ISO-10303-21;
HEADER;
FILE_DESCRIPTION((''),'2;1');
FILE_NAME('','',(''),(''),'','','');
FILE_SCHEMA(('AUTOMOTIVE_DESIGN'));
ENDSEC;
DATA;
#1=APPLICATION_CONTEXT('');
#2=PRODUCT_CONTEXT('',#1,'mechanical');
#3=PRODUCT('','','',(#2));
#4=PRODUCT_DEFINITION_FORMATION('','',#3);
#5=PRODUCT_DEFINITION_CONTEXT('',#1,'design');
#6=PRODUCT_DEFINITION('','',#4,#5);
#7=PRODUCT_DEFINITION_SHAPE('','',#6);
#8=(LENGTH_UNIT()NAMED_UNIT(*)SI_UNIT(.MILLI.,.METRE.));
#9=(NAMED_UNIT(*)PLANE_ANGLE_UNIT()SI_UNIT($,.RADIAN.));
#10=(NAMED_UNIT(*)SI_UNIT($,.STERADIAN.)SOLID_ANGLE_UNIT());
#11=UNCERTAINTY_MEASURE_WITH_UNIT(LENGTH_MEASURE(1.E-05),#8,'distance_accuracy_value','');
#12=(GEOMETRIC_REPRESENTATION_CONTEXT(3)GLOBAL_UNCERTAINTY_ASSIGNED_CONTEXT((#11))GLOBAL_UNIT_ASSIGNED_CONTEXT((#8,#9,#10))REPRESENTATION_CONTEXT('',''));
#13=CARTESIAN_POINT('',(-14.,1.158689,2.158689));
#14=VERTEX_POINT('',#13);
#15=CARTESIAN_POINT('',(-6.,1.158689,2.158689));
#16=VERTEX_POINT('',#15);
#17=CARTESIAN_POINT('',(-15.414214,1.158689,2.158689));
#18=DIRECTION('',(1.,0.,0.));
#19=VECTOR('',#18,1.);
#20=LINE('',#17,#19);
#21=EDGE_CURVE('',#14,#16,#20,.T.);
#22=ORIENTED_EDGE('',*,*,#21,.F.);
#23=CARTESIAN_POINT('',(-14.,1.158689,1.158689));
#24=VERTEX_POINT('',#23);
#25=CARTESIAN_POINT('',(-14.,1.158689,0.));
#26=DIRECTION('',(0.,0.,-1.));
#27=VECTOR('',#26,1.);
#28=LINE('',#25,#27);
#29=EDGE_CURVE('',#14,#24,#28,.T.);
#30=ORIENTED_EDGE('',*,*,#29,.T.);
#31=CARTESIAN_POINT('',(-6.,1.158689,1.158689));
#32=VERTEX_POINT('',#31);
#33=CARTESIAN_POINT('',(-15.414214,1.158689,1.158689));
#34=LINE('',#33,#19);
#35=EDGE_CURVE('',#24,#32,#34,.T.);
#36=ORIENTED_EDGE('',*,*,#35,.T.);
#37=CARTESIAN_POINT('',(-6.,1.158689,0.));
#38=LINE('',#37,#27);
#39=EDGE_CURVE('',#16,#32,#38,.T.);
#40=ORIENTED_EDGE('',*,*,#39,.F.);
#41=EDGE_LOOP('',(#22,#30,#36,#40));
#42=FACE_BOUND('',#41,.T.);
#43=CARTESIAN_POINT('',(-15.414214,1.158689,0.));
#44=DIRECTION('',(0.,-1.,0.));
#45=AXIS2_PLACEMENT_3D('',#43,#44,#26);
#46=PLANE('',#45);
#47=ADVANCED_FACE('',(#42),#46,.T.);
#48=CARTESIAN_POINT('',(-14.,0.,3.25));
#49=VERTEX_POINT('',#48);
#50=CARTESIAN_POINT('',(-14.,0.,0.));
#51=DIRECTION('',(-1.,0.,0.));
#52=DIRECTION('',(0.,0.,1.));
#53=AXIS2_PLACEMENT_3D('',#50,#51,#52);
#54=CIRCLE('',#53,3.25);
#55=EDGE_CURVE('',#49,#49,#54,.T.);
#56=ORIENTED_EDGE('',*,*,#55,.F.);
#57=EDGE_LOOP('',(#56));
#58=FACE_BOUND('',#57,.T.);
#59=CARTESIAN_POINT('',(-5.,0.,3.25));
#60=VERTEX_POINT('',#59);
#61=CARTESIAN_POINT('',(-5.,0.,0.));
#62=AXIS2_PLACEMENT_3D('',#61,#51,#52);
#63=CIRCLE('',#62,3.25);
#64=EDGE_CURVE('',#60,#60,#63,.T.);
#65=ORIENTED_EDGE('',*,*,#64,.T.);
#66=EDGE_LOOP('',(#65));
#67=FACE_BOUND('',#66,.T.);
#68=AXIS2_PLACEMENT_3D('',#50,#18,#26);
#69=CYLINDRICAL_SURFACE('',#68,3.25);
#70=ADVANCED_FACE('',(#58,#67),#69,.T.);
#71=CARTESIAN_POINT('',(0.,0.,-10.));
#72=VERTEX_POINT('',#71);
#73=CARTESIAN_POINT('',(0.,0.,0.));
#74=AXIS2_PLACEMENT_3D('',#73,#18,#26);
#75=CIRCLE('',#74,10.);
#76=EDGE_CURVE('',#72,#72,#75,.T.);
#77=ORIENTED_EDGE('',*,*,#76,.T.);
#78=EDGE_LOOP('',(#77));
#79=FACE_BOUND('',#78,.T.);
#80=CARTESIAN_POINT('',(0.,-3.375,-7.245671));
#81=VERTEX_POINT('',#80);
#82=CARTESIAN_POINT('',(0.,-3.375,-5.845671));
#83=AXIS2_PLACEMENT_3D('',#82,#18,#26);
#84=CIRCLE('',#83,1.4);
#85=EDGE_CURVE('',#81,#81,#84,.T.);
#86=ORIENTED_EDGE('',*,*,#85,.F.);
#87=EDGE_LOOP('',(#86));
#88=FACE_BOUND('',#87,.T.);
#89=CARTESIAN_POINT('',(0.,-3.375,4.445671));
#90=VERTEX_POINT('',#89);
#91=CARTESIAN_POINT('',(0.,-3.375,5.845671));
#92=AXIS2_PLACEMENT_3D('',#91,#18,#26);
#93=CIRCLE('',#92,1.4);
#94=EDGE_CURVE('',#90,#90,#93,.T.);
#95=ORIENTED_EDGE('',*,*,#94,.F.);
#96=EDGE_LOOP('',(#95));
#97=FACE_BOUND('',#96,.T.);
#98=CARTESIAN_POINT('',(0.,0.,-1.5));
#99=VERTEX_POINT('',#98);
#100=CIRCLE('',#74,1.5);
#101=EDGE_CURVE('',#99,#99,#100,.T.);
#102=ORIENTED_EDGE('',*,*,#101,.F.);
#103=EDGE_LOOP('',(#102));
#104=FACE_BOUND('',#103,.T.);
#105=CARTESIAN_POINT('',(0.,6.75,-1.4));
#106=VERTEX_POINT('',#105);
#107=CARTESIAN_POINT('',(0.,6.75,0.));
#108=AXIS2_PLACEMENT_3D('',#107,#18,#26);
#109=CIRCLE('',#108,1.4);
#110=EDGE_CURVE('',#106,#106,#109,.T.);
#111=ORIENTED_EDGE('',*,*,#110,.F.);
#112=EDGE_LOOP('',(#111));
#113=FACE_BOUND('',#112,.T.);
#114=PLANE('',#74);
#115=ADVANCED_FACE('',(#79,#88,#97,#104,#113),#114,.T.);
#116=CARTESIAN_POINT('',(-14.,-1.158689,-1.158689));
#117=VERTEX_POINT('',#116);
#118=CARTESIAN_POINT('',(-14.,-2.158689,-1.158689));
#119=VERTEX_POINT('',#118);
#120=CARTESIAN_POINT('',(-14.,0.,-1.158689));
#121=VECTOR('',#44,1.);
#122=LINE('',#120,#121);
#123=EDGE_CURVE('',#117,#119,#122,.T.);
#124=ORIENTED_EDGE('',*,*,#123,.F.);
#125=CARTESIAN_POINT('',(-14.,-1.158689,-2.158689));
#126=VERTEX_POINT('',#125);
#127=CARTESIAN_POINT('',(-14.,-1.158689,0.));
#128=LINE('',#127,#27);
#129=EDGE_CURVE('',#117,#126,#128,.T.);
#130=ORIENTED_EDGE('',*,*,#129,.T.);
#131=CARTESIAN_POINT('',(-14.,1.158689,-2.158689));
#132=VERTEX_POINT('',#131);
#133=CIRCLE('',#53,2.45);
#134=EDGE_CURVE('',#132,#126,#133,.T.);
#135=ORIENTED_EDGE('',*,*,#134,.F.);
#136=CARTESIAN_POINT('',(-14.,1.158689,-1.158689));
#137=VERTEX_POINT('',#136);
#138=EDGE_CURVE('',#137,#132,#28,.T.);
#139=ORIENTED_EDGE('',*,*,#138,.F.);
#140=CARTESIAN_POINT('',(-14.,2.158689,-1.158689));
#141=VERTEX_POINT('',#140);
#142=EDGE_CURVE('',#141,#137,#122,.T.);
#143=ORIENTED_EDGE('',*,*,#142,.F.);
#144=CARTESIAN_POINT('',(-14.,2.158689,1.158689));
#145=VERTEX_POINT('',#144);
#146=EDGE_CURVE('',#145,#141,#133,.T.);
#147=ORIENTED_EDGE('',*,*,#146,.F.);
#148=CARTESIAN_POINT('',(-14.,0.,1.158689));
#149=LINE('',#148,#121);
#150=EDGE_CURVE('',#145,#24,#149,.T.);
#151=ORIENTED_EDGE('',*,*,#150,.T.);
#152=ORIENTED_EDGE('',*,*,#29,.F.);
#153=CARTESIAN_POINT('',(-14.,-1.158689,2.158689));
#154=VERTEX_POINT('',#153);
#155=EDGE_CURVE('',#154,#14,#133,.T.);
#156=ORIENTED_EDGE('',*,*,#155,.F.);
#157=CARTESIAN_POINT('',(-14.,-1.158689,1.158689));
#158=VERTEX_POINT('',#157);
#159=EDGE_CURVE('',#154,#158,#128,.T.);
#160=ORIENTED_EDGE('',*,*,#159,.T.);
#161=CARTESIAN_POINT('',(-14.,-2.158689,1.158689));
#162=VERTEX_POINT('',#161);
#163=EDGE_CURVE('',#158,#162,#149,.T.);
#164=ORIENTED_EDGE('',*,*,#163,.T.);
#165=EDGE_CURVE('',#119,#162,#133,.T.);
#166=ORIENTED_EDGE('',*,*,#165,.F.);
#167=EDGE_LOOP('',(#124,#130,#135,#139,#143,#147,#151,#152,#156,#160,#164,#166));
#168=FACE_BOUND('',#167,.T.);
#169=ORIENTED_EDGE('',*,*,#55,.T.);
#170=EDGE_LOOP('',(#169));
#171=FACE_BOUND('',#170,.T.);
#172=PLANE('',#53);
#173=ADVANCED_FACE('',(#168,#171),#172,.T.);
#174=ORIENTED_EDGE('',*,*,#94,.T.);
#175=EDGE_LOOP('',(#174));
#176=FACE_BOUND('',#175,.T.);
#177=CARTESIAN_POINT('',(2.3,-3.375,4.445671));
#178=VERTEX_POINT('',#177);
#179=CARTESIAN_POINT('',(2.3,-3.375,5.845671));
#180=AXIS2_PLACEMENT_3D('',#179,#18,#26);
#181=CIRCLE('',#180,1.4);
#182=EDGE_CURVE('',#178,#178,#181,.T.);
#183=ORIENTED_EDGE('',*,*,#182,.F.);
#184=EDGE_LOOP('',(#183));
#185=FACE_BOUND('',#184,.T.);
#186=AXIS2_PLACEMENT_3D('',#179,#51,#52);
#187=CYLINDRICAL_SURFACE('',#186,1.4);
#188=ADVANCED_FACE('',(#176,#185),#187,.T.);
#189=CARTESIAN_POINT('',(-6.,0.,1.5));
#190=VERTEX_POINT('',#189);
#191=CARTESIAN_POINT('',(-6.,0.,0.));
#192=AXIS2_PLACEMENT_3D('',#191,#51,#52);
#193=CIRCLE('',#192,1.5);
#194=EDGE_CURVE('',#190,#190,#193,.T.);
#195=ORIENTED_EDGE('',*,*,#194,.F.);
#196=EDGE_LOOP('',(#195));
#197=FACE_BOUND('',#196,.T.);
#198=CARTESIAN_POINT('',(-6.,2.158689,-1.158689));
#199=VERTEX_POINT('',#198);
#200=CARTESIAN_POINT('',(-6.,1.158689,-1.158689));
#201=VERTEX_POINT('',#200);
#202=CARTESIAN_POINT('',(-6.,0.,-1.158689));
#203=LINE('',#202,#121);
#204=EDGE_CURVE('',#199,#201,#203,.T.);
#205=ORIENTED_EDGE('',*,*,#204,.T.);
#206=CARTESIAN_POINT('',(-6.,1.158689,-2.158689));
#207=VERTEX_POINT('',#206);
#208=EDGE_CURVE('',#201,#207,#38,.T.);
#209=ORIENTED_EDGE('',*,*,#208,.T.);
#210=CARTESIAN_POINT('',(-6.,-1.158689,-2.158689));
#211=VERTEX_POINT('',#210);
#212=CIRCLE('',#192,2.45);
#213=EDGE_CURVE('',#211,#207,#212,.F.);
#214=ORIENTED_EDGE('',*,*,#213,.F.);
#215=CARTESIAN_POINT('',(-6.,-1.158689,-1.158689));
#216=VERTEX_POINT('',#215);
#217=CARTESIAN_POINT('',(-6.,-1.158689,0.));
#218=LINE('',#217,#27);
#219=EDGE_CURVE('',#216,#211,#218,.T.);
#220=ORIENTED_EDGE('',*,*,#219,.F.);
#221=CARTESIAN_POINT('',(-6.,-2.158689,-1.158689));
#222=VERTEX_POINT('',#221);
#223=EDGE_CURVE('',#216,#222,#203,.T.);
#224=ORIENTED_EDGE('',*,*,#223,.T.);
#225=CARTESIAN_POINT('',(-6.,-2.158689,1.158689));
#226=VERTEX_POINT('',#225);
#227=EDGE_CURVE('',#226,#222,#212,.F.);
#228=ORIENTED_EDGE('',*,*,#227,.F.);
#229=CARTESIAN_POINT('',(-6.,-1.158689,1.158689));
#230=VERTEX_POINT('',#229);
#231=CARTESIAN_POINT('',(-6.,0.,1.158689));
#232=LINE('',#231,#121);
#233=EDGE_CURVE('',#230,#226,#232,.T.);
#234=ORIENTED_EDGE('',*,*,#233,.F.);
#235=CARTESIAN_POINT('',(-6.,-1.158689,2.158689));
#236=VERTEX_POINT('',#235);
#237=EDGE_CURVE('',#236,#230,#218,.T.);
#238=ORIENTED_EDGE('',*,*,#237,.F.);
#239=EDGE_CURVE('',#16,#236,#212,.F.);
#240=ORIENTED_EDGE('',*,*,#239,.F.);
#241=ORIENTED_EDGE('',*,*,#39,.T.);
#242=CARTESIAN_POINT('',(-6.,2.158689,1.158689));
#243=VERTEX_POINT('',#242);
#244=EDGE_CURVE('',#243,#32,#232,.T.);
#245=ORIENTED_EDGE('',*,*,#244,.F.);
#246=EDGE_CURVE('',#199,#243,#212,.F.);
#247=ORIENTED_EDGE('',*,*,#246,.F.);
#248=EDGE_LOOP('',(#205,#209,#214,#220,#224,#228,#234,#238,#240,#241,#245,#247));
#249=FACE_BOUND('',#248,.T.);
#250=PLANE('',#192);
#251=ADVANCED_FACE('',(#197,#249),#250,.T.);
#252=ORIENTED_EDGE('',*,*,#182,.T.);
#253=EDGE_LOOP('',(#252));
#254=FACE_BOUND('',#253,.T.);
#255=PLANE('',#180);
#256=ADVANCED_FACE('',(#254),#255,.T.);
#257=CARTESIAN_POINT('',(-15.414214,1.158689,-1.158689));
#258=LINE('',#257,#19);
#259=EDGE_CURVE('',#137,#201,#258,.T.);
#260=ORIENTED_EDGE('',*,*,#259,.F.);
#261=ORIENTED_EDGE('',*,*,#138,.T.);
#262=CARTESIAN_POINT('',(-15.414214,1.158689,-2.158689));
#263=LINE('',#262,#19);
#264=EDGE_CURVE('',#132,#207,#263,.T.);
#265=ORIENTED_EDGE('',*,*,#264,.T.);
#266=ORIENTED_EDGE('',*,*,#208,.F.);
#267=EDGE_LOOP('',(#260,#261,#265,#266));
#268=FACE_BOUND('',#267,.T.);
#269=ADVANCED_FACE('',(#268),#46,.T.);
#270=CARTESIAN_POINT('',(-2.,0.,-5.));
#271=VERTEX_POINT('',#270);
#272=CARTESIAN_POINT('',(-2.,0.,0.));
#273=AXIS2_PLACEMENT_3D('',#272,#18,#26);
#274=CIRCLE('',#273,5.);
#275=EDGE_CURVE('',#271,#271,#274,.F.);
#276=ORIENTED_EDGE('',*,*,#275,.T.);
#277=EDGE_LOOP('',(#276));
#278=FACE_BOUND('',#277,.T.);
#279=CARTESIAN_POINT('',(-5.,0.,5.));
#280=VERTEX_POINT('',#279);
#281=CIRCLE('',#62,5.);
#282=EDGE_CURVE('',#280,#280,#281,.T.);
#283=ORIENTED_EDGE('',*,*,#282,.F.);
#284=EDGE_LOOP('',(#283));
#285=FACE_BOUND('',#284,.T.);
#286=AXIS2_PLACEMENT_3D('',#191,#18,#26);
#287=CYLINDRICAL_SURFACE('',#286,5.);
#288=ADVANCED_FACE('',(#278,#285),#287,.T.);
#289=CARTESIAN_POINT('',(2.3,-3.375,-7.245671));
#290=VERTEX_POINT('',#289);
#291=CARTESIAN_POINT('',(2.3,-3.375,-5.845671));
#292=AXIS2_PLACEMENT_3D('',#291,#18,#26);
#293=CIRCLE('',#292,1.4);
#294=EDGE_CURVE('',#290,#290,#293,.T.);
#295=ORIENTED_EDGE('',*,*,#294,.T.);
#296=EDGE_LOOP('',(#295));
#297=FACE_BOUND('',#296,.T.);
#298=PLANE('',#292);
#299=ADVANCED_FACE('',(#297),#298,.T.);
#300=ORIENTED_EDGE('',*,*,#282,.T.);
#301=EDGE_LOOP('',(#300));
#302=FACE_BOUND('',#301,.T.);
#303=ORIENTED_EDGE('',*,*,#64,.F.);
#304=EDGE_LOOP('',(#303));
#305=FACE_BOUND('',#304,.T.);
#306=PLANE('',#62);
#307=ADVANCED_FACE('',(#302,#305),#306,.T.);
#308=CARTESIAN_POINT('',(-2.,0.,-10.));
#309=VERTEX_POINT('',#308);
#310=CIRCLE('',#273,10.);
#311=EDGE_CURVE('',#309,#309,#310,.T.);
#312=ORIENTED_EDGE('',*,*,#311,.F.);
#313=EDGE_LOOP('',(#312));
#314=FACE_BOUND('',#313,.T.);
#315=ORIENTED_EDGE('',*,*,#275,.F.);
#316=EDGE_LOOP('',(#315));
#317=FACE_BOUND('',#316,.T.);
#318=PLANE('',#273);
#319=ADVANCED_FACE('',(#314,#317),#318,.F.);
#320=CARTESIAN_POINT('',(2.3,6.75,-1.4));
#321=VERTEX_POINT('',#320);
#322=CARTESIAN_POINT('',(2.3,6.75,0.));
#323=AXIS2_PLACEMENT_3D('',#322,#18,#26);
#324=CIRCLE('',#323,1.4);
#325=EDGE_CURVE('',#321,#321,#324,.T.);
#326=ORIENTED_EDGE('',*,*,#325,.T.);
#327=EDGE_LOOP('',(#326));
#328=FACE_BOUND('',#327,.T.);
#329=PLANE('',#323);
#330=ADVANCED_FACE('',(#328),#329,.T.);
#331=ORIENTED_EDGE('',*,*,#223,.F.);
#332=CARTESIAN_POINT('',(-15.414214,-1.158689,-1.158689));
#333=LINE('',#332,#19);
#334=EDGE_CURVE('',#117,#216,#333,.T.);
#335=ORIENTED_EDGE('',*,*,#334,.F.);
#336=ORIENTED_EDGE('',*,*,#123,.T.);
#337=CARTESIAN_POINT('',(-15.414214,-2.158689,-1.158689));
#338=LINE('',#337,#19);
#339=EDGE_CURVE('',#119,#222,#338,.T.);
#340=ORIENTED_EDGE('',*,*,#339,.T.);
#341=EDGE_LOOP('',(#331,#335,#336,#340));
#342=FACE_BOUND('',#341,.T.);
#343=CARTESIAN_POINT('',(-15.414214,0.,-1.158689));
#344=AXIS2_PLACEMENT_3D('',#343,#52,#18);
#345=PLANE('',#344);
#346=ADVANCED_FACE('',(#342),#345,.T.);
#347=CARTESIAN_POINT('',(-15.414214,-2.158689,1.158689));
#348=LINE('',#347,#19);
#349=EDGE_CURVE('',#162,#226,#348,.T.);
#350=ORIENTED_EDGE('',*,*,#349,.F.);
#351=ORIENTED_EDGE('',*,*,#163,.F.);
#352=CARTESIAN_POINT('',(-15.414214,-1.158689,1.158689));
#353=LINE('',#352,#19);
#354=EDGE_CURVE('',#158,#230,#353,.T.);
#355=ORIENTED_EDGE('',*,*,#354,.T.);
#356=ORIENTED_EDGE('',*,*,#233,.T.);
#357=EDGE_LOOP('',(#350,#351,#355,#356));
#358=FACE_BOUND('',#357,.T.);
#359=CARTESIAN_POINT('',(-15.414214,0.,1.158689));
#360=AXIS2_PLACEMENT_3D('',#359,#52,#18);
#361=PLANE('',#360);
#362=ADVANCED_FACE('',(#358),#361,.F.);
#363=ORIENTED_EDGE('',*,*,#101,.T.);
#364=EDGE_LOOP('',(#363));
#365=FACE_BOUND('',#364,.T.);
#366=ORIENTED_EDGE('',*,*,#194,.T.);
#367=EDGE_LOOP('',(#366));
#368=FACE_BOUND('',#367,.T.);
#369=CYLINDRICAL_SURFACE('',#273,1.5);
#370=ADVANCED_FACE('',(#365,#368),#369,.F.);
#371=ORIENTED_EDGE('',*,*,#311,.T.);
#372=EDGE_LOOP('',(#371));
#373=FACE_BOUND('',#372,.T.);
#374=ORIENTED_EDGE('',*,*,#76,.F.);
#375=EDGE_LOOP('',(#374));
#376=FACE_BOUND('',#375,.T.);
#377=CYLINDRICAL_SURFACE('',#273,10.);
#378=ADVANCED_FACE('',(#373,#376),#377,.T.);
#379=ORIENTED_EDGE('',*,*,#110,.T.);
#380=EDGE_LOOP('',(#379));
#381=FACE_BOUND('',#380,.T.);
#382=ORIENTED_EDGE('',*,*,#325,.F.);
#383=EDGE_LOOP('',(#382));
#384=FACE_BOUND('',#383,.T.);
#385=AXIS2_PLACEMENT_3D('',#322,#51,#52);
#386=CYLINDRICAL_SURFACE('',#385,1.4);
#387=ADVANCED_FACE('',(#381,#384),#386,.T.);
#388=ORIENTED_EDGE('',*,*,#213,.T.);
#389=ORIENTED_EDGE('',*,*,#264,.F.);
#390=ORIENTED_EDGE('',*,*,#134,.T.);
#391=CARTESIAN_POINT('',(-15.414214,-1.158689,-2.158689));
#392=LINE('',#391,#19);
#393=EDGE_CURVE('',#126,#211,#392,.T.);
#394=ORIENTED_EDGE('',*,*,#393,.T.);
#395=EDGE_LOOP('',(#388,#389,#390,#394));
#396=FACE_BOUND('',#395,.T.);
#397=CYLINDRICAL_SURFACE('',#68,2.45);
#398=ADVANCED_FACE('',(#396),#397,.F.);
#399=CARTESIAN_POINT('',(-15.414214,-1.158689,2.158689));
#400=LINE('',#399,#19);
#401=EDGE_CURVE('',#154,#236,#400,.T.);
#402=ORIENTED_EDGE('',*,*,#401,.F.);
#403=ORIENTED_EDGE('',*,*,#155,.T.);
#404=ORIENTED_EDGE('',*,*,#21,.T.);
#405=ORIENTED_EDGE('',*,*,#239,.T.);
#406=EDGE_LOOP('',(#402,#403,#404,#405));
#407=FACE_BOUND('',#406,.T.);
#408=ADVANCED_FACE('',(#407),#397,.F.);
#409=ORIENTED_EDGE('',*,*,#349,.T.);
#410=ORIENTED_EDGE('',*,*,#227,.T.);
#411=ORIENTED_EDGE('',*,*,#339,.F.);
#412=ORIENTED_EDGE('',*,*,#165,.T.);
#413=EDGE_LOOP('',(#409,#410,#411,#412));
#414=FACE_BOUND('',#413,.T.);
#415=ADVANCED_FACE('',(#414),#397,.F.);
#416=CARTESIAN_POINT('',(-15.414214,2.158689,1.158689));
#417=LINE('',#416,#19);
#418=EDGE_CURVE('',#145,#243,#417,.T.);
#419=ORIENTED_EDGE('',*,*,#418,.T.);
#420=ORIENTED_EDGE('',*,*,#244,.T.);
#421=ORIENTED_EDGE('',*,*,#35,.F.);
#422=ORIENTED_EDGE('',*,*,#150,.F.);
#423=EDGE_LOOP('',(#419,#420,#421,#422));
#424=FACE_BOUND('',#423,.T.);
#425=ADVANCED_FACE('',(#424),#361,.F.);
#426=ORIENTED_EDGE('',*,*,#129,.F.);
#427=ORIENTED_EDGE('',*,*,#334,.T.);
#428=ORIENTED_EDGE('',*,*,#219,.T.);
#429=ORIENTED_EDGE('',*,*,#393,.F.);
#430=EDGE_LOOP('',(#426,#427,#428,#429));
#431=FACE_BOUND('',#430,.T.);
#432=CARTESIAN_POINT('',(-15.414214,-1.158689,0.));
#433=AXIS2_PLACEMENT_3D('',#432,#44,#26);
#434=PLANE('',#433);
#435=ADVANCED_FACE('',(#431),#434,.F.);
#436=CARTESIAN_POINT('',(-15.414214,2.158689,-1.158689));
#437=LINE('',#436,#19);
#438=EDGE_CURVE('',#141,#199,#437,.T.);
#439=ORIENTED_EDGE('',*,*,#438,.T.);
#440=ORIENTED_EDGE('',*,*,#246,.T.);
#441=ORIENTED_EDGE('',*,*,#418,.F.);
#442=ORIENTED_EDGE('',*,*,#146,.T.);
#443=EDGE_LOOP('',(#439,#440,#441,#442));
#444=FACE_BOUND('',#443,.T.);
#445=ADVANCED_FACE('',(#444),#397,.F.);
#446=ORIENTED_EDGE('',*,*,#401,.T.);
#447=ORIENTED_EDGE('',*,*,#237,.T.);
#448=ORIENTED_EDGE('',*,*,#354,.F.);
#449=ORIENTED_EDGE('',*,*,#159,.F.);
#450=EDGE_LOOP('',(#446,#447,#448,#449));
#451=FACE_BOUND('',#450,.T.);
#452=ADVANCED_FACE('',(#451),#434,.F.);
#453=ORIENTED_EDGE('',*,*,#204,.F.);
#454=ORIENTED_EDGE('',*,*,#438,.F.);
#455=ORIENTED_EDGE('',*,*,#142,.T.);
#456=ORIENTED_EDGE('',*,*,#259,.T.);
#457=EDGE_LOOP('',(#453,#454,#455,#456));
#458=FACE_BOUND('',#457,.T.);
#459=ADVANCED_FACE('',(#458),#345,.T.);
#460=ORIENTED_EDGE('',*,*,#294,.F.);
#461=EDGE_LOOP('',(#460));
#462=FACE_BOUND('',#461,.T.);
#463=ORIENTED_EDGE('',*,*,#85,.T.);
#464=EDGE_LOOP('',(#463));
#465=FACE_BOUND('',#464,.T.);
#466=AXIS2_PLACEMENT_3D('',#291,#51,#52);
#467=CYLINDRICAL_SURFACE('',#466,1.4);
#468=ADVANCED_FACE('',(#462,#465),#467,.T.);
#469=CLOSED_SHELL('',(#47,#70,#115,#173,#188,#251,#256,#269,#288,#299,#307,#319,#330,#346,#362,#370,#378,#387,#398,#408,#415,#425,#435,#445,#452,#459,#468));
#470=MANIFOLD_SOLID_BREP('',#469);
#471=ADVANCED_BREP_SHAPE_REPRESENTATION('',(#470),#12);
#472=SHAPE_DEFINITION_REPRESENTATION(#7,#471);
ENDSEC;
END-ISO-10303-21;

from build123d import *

# Parameters (mm, degrees)
SKETCH_1_R          = 1.4
EXTRUDE_1_DEPTH     = 2.3
EXTRUDE_1_2_DEPTH   = 2.3
EXTRUDE_1_3_DEPTH   = 2.3
SKETCH_2_R          = 10
SKETCH_2_R_2        = 1.5
EXTRUDE_2_DEPTH     = 2
SKETCH_3_R          = 5
SKETCH_3_R_2        = 1.5
EXTRUDE_3_DEPTH     = 4
SKETCH_4_R          = 3.25
SKETCH_4_R_2        = 2.45
EXTRUDE_4_DEPTH     = 8
EXTRUDE_5_DEPTH     = 8
CUT_EXTRUDE_START   = -1
SKETCH_4_6_R        = 5
SKETCH_4_6_R_2      = 3.25
CUT_EXTRUDE_1_DEPTH = 1


with BuildPart() as part:
    # 草图1 → 凸台-拉伸1 (new body)
    with BuildSketch(Plane(origin=(0, 0, 0), x_dir=(0, 0, -1), z_dir=(1, 0, 0))):
        with Locations((0, 6.75)):
            Circle(SKETCH_1_R)
    extrude(amount=EXTRUDE_1_DEPTH)



with BuildPart() as body_2:
    # 草图1 → Extrude 1 2 (new body)
    with BuildSketch(Plane(origin=(0, 0, 0), x_dir=(0, 0, -1), z_dir=(1, 0, 0))):
        with Locations((5.845671476, -3.375)):
            Circle(SKETCH_1_R)
    extrude(amount=EXTRUDE_1_2_DEPTH)


with BuildPart() as body_3:
    # 草图1 → Extrude 1 3 (new body)
    with BuildSketch(Plane(origin=(0, 0, 0), x_dir=(0, 0, -1), z_dir=(1, 0, 0))):
        with Locations((-5.845671476, -3.375)):
            Circle(SKETCH_1_R)
    extrude(amount=EXTRUDE_1_3_DEPTH)


with BuildPart() as part_1:
    add(part.part)

    add(body_2.part)  # 凸台-拉伸2 merges body 2

    add(body_3.part)  # 凸台-拉伸2 merges body 3
    # 草图2 → 凸台-拉伸2 (add)
    with BuildSketch(Plane(origin=(0, 0, 0), x_dir=(0, 0, -1), z_dir=(1, 0, 0))):
        Circle(SKETCH_2_R)
        Circle(SKETCH_2_R_2, mode=Mode.SUBTRACT)
    extrude(amount=-EXTRUDE_2_DEPTH)

    # 草图3 → 凸台-拉伸3 (add)
    with BuildSketch(Plane.ZY.offset(2)):
        with Locations(Location((0, 0, 0), (0, 0, 180))):
            Circle(SKETCH_3_R)
        with Locations(Location((0, 0, 0), (0, 0, 180))):
            Circle(SKETCH_3_R_2, mode=Mode.SUBTRACT)
    extrude(amount=EXTRUDE_3_DEPTH)

    # 草图4 → 凸台-拉伸4 (add)
    with BuildSketch(Plane.ZY.offset(6)):
        Circle(SKETCH_4_R)
        Circle(SKETCH_4_R_2, mode=Mode.SUBTRACT)
    extrude(amount=EXTRUDE_4_DEPTH)

    # 草图4<3> → 凸台-拉伸5 (add)
    with BuildSketch(Plane.ZY.offset(6)):
        with BuildLine():
            Line((2.158689242, -1.158689242), (1.158689242, -1.158689242))
            Line((1.158689242, -1.158689242), (1.158689242, -2.158689242))
            ThreePointArc((1.158689242, -2.158689242), (1.732411614, -1.732411614), (2.158689242, -1.158689242))
        make_face()
        with BuildLine():
            ThreePointArc((2.158689242, 1.158689242), (1.732411614, 1.732411614), (1.158689242, 2.158689242))
            Line((1.158689242, 2.158689242), (1.158689242, 1.158689242))
            Line((1.158689242, 1.158689242), (2.158689242, 1.158689242))
        make_face()
        with BuildLine():
            Line((-1.158689242, 1.158689242), (-1.158689242, 2.158689242))
            ThreePointArc((-1.158689242, 2.158689242), (-1.732411614, 1.732411614), (-2.158689242, 1.158689242))
            Line((-2.158689242, 1.158689242), (-1.158689242, 1.158689242))
        make_face()
        with BuildLine():
            Line((-1.158689242, -2.158689242), (-1.158689242, -1.158689242))
            Line((-1.158689242, -1.158689242), (-2.158689242, -1.158689242))
            ThreePointArc((-2.158689242, -1.158689242), (-1.732411614, -1.732411614), (-1.158689242, -2.158689242))
        make_face()
    extrude(amount=EXTRUDE_5_DEPTH)

    # 草图4<6> → 切除-拉伸1 (cut)
    with BuildSketch(Plane.ZY.offset(6).offset(CUT_EXTRUDE_START)):
        with Locations(Location((0, 0, 0), (0, 0, 180))):
            Circle(SKETCH_4_6_R)
        Circle(SKETCH_4_6_R_2, mode=Mode.SUBTRACT)
    extrude(amount=CUT_EXTRUDE_1_DEPTH, mode=Mode.SUBTRACT)


solid = part_1.part
